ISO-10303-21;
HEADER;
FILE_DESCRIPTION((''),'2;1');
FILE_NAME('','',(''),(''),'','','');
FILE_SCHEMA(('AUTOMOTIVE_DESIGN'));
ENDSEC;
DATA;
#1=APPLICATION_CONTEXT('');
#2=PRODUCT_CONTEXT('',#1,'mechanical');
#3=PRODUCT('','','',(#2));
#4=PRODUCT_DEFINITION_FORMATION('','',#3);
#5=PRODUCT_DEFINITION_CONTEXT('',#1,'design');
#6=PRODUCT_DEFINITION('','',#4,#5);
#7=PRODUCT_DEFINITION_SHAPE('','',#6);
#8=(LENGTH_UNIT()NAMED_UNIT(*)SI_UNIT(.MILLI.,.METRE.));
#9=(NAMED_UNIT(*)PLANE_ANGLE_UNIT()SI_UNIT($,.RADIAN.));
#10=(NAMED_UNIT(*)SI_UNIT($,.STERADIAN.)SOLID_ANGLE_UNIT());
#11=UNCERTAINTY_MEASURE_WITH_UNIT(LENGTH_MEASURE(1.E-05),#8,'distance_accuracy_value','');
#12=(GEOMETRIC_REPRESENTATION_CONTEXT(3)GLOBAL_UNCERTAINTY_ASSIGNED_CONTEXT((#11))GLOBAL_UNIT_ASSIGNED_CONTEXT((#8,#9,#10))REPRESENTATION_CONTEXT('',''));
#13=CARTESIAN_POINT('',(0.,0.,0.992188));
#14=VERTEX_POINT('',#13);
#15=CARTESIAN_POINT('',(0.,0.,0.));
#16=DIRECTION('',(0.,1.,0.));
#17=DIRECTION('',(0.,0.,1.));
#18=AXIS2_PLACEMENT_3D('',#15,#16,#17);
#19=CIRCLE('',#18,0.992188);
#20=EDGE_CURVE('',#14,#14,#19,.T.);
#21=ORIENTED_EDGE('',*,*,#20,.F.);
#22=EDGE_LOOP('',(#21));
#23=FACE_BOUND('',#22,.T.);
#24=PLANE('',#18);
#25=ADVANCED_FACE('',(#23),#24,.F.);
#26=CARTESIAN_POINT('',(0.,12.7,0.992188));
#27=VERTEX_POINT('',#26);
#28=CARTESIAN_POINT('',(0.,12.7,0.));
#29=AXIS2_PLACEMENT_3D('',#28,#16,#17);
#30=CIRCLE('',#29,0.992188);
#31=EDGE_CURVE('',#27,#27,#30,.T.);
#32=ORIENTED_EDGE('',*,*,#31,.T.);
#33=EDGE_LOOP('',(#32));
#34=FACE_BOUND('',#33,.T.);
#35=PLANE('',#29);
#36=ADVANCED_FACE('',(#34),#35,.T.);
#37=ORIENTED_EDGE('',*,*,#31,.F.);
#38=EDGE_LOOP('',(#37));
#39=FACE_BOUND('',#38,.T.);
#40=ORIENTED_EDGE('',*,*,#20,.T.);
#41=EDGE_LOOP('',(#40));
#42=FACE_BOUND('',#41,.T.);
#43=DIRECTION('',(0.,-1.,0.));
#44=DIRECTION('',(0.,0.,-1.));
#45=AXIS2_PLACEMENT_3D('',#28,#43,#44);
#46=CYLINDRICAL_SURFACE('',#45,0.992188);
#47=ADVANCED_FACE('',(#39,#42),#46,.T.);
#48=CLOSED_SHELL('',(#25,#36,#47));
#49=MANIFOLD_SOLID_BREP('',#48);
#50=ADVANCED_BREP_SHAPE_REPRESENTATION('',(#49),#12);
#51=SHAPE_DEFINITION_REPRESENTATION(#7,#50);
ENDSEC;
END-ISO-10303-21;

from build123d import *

# Parameters (mm, degrees)
SKETCH1_R           = 0.9921875
BOSS_EXTRUDE1_DEPTH = 12.7


with BuildPart() as part:
    # Sketch1 → Boss-Extrude1 (new body)
    with BuildSketch(Plane(origin=(0, 0, 0), x_dir=(1, 0, 0), z_dir=(0, 1, 0))):
        Circle(SKETCH1_R)
    extrude(amount=BOSS_EXTRUDE1_DEPTH)


solid = part.part
